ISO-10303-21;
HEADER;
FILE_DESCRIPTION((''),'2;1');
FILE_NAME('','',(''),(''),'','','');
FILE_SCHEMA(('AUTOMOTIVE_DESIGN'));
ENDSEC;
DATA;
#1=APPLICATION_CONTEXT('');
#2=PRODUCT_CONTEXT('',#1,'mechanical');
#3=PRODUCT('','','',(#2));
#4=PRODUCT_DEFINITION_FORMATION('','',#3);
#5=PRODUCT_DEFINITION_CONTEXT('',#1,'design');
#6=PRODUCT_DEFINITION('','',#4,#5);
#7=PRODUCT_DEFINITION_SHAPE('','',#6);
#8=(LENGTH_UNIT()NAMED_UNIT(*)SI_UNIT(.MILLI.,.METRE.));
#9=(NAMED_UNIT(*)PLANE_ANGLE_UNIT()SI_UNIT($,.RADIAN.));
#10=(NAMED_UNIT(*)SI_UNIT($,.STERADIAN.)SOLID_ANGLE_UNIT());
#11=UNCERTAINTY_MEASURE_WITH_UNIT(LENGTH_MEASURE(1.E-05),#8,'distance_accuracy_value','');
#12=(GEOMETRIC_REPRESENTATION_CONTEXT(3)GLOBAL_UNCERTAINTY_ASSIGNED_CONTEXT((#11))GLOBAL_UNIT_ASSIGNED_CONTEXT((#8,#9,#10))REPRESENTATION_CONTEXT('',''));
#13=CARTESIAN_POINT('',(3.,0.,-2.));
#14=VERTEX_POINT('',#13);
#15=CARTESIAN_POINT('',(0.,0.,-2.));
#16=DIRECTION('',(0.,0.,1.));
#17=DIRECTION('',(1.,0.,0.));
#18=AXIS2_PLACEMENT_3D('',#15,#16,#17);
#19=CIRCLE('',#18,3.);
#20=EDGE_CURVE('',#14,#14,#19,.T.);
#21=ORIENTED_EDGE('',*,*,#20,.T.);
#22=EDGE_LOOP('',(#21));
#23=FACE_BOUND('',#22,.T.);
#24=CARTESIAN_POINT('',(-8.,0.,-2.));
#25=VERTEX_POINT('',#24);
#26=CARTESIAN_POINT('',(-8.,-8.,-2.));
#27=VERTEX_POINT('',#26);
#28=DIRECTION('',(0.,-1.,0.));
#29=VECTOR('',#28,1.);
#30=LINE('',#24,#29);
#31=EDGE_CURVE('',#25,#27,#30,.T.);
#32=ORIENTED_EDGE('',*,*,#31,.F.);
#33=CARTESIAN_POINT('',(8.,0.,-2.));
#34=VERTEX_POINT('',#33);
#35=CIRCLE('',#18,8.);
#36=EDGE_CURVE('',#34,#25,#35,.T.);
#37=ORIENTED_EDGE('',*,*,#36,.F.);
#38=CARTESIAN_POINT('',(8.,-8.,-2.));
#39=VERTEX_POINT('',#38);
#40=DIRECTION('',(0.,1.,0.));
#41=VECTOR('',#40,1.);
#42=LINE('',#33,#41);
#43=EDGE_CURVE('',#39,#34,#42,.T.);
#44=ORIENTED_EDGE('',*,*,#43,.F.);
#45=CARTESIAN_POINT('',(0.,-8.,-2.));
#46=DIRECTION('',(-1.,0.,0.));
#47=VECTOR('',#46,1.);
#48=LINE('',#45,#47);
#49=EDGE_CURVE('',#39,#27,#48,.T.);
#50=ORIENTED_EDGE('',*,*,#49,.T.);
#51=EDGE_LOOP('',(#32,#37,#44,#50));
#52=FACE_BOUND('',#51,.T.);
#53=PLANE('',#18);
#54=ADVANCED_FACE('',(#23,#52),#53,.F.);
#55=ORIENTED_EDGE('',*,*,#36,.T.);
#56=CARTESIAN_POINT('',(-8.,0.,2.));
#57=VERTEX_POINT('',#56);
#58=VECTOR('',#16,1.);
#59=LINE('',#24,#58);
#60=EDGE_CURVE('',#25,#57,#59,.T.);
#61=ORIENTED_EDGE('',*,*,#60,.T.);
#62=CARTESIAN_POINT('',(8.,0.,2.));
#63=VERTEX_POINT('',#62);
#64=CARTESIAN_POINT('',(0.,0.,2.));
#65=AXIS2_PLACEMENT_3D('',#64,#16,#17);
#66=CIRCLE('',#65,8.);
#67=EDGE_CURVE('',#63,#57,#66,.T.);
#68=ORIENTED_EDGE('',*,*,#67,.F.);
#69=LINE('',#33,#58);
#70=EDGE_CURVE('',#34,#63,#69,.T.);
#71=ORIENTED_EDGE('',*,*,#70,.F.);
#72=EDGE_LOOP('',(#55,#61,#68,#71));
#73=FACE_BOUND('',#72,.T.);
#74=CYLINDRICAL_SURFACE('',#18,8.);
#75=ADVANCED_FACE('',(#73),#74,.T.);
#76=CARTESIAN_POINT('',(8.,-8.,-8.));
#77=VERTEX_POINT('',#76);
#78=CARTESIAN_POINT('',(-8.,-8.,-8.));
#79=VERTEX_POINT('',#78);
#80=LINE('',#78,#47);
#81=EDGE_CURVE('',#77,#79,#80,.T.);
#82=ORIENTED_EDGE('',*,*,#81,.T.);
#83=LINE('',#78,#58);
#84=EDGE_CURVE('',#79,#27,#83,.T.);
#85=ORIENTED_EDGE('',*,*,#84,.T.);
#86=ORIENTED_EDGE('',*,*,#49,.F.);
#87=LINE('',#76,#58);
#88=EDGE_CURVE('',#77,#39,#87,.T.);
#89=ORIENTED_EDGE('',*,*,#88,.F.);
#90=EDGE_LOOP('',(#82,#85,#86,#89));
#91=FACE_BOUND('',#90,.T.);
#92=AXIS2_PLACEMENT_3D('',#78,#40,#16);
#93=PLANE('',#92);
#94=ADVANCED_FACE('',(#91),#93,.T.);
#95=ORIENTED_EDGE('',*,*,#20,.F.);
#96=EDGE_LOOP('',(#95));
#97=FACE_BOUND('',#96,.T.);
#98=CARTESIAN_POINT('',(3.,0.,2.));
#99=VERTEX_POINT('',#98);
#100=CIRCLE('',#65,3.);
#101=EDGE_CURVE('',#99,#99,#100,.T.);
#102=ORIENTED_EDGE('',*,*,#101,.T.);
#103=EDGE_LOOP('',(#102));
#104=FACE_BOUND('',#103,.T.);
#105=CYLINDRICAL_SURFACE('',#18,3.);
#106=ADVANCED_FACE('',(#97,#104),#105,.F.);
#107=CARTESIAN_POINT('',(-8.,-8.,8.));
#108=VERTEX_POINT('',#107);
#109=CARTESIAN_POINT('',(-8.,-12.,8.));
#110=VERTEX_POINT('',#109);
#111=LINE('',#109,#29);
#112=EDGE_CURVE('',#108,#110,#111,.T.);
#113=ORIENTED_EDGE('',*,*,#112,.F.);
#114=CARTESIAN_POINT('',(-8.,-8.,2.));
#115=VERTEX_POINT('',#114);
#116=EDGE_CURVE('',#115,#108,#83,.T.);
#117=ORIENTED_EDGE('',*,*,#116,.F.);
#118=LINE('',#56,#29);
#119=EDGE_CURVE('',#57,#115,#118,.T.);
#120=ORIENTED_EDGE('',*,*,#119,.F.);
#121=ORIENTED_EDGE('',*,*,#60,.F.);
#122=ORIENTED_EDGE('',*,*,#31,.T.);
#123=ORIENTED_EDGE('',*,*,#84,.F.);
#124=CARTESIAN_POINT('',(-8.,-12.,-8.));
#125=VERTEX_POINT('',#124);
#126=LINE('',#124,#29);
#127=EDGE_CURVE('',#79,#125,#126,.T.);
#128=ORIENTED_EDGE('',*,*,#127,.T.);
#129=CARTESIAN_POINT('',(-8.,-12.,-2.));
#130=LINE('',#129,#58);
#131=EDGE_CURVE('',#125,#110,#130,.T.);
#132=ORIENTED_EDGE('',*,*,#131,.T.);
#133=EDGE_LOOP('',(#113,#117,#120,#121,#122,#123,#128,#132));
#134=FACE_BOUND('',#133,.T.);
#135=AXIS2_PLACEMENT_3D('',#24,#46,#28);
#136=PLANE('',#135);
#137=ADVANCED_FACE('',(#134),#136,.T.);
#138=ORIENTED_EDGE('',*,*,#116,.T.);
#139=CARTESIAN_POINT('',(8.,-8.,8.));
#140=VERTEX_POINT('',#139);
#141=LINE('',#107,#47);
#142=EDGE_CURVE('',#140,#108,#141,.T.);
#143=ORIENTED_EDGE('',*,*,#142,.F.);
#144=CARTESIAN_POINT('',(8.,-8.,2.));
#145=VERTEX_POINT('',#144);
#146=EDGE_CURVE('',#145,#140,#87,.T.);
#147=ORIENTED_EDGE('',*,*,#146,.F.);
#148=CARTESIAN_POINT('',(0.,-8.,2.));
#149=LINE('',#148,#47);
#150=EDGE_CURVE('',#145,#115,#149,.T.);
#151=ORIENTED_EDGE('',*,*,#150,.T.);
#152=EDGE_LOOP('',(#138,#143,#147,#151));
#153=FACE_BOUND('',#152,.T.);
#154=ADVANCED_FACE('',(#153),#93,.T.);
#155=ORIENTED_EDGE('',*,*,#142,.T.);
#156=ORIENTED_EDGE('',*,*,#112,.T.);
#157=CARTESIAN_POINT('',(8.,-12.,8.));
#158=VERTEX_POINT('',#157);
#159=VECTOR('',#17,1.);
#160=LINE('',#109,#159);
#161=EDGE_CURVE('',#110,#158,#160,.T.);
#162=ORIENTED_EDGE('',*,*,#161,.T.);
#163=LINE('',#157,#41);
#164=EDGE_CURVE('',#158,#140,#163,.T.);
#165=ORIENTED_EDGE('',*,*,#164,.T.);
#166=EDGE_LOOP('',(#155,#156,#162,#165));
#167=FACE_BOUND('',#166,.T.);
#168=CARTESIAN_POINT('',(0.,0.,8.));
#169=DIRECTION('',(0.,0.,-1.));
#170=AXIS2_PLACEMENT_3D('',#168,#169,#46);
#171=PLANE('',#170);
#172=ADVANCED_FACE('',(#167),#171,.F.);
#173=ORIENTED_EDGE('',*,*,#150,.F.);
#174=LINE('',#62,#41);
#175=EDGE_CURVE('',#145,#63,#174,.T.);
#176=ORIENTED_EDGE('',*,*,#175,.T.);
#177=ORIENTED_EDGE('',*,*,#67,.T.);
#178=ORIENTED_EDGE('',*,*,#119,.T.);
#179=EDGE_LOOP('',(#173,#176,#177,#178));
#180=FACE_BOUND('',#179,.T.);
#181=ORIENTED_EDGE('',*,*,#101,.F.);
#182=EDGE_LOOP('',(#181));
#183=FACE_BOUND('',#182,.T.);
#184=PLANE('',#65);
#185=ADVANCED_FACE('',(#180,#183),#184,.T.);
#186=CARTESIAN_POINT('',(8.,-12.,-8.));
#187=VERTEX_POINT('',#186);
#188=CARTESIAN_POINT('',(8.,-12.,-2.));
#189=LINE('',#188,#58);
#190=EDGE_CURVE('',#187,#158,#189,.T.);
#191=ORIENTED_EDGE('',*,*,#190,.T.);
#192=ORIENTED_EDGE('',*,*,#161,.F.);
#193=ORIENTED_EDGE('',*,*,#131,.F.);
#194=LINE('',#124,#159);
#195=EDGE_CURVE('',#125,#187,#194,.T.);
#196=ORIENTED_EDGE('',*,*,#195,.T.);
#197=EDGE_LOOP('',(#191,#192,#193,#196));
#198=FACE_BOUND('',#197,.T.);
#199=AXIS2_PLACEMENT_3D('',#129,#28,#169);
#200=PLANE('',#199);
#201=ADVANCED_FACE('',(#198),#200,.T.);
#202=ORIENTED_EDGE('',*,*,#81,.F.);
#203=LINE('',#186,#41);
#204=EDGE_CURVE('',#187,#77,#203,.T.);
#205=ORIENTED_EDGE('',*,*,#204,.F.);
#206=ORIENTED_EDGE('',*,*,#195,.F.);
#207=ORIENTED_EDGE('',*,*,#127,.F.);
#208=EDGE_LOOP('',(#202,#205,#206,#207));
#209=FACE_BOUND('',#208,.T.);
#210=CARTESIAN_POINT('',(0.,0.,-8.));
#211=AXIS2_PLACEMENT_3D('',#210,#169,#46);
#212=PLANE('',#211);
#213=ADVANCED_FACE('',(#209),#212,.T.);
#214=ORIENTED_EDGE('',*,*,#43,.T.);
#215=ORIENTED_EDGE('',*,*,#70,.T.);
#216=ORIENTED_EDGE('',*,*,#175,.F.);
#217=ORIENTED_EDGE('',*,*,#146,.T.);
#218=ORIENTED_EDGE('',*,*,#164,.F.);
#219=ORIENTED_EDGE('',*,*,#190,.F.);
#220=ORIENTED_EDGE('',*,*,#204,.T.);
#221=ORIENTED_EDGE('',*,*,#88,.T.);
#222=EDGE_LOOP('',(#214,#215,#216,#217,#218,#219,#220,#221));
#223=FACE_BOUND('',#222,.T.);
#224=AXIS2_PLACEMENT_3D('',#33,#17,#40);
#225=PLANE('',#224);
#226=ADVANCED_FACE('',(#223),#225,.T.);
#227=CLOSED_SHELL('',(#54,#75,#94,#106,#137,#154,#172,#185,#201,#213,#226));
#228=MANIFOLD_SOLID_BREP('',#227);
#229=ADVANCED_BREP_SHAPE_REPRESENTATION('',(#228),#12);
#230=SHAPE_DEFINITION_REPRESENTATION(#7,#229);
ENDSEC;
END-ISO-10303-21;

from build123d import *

# Parameters (mm, degrees)
BOSS_EXTRUDE1_DEPTH      = 2
BOSS_EXTRUDE1_DEPTH_BACK = 2
SKETCH1_R                = 3
BOSS_EXTRUDE2_DEPTH      = 8
BOSS_EXTRUDE2_DEPTH_BACK = 8
SKETCH2_W                = 16
SKETCH2_H                = 4


with BuildPart() as part:
    # Sketch1 → Boss-Extrude1 (new, two sides: drawn at the far end of the back side and taken through both)
    with BuildSketch(Plane.XY.offset(-BOSS_EXTRUDE1_DEPTH_BACK)):
        with BuildLine():
            Line((-8, 0), (-8, -12))
            Line((-8, -12), (8, -12))
            Line((8, -12), (8, 0))
            ThreePointArc((8, 0), (0, 8), (-8, 0))
        make_face()
        Circle(SKETCH1_R, mode=Mode.SUBTRACT)
    extrude(amount=BOSS_EXTRUDE1_DEPTH + BOSS_EXTRUDE1_DEPTH_BACK)

    # Sketch2 → Boss-Extrude2 (add, two sides: drawn at the far end of the back side and taken through both)
    with BuildSketch(Plane.XY.offset(-BOSS_EXTRUDE2_DEPTH_BACK)):
        with Locations((0, -10)):
            Rectangle(SKETCH2_W, SKETCH2_H)
    extrude(amount=BOSS_EXTRUDE2_DEPTH + BOSS_EXTRUDE2_DEPTH_BACK)


solid = part.part
